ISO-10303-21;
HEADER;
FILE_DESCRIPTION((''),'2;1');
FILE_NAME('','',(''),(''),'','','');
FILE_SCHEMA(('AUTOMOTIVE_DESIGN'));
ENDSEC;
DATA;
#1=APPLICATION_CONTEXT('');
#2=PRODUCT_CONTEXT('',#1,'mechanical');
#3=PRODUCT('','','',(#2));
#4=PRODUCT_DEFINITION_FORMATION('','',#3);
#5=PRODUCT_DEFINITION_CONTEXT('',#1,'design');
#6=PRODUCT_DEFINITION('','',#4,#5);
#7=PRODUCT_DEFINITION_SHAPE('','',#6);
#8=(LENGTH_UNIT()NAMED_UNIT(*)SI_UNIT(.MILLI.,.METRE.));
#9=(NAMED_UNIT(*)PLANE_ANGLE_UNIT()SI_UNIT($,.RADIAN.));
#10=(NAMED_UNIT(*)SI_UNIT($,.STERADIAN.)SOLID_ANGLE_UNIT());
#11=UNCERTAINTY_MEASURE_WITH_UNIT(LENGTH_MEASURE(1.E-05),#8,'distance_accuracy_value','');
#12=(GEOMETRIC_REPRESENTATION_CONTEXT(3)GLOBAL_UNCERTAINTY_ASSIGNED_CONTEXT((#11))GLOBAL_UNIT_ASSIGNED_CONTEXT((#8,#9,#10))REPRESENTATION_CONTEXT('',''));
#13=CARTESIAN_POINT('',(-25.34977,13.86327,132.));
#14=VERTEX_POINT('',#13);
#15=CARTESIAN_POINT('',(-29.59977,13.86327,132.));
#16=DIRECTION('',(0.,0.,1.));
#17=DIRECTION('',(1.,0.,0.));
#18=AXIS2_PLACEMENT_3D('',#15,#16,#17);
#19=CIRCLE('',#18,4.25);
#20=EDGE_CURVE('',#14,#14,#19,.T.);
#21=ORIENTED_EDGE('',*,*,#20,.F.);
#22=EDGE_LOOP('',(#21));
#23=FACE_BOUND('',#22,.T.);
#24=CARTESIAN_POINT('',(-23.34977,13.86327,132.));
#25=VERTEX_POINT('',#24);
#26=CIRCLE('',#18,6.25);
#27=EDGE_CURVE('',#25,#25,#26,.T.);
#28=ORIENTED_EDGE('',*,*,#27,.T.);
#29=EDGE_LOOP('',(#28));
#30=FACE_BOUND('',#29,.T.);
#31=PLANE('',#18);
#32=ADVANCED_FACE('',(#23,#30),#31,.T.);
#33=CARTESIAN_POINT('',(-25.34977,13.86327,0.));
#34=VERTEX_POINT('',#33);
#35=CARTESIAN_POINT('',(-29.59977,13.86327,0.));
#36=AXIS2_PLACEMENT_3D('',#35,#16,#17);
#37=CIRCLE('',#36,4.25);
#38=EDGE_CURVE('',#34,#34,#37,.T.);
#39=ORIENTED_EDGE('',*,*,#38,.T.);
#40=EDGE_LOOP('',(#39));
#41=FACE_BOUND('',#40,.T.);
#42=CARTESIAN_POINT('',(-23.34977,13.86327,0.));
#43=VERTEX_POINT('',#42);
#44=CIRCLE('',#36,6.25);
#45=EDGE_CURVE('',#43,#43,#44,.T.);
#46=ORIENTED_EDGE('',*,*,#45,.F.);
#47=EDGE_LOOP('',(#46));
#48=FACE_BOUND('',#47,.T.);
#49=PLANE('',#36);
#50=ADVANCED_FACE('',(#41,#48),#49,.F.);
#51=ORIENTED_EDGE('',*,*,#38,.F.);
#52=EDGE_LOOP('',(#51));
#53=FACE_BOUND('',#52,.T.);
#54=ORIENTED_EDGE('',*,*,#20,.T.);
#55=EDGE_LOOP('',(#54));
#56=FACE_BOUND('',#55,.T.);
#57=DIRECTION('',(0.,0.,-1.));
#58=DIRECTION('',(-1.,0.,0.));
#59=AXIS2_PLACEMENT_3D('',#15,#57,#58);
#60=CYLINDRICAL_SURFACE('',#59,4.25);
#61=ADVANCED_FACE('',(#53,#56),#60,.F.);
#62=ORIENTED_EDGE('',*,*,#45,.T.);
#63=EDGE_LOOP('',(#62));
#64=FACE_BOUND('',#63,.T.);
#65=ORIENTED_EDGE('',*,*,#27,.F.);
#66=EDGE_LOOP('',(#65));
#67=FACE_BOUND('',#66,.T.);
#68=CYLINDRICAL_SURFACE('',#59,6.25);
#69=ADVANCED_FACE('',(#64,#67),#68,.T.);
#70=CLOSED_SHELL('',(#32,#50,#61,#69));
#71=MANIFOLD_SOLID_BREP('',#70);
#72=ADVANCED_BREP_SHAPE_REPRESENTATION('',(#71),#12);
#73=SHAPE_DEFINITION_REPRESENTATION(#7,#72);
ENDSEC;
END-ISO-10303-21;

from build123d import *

# Parameters (mm, degrees)
SKETCH3_R           = 6.25
SKETCH3_R_2         = 4.25
BOSS_EXTRUDE2_DEPTH = 132


with BuildPart() as part:
    # Sketch3 → Boss-Extrude2 (new body)
    with BuildSketch(Plane.XY):
        with Locations((-29.599769725, 13.863270102)):
            Circle(SKETCH3_R)
        with Locations((-29.599769725, 13.863270102)):
            Circle(SKETCH3_R_2, mode=Mode.SUBTRACT)
    extrude(amount=BOSS_EXTRUDE2_DEPTH)


solid = part.part
